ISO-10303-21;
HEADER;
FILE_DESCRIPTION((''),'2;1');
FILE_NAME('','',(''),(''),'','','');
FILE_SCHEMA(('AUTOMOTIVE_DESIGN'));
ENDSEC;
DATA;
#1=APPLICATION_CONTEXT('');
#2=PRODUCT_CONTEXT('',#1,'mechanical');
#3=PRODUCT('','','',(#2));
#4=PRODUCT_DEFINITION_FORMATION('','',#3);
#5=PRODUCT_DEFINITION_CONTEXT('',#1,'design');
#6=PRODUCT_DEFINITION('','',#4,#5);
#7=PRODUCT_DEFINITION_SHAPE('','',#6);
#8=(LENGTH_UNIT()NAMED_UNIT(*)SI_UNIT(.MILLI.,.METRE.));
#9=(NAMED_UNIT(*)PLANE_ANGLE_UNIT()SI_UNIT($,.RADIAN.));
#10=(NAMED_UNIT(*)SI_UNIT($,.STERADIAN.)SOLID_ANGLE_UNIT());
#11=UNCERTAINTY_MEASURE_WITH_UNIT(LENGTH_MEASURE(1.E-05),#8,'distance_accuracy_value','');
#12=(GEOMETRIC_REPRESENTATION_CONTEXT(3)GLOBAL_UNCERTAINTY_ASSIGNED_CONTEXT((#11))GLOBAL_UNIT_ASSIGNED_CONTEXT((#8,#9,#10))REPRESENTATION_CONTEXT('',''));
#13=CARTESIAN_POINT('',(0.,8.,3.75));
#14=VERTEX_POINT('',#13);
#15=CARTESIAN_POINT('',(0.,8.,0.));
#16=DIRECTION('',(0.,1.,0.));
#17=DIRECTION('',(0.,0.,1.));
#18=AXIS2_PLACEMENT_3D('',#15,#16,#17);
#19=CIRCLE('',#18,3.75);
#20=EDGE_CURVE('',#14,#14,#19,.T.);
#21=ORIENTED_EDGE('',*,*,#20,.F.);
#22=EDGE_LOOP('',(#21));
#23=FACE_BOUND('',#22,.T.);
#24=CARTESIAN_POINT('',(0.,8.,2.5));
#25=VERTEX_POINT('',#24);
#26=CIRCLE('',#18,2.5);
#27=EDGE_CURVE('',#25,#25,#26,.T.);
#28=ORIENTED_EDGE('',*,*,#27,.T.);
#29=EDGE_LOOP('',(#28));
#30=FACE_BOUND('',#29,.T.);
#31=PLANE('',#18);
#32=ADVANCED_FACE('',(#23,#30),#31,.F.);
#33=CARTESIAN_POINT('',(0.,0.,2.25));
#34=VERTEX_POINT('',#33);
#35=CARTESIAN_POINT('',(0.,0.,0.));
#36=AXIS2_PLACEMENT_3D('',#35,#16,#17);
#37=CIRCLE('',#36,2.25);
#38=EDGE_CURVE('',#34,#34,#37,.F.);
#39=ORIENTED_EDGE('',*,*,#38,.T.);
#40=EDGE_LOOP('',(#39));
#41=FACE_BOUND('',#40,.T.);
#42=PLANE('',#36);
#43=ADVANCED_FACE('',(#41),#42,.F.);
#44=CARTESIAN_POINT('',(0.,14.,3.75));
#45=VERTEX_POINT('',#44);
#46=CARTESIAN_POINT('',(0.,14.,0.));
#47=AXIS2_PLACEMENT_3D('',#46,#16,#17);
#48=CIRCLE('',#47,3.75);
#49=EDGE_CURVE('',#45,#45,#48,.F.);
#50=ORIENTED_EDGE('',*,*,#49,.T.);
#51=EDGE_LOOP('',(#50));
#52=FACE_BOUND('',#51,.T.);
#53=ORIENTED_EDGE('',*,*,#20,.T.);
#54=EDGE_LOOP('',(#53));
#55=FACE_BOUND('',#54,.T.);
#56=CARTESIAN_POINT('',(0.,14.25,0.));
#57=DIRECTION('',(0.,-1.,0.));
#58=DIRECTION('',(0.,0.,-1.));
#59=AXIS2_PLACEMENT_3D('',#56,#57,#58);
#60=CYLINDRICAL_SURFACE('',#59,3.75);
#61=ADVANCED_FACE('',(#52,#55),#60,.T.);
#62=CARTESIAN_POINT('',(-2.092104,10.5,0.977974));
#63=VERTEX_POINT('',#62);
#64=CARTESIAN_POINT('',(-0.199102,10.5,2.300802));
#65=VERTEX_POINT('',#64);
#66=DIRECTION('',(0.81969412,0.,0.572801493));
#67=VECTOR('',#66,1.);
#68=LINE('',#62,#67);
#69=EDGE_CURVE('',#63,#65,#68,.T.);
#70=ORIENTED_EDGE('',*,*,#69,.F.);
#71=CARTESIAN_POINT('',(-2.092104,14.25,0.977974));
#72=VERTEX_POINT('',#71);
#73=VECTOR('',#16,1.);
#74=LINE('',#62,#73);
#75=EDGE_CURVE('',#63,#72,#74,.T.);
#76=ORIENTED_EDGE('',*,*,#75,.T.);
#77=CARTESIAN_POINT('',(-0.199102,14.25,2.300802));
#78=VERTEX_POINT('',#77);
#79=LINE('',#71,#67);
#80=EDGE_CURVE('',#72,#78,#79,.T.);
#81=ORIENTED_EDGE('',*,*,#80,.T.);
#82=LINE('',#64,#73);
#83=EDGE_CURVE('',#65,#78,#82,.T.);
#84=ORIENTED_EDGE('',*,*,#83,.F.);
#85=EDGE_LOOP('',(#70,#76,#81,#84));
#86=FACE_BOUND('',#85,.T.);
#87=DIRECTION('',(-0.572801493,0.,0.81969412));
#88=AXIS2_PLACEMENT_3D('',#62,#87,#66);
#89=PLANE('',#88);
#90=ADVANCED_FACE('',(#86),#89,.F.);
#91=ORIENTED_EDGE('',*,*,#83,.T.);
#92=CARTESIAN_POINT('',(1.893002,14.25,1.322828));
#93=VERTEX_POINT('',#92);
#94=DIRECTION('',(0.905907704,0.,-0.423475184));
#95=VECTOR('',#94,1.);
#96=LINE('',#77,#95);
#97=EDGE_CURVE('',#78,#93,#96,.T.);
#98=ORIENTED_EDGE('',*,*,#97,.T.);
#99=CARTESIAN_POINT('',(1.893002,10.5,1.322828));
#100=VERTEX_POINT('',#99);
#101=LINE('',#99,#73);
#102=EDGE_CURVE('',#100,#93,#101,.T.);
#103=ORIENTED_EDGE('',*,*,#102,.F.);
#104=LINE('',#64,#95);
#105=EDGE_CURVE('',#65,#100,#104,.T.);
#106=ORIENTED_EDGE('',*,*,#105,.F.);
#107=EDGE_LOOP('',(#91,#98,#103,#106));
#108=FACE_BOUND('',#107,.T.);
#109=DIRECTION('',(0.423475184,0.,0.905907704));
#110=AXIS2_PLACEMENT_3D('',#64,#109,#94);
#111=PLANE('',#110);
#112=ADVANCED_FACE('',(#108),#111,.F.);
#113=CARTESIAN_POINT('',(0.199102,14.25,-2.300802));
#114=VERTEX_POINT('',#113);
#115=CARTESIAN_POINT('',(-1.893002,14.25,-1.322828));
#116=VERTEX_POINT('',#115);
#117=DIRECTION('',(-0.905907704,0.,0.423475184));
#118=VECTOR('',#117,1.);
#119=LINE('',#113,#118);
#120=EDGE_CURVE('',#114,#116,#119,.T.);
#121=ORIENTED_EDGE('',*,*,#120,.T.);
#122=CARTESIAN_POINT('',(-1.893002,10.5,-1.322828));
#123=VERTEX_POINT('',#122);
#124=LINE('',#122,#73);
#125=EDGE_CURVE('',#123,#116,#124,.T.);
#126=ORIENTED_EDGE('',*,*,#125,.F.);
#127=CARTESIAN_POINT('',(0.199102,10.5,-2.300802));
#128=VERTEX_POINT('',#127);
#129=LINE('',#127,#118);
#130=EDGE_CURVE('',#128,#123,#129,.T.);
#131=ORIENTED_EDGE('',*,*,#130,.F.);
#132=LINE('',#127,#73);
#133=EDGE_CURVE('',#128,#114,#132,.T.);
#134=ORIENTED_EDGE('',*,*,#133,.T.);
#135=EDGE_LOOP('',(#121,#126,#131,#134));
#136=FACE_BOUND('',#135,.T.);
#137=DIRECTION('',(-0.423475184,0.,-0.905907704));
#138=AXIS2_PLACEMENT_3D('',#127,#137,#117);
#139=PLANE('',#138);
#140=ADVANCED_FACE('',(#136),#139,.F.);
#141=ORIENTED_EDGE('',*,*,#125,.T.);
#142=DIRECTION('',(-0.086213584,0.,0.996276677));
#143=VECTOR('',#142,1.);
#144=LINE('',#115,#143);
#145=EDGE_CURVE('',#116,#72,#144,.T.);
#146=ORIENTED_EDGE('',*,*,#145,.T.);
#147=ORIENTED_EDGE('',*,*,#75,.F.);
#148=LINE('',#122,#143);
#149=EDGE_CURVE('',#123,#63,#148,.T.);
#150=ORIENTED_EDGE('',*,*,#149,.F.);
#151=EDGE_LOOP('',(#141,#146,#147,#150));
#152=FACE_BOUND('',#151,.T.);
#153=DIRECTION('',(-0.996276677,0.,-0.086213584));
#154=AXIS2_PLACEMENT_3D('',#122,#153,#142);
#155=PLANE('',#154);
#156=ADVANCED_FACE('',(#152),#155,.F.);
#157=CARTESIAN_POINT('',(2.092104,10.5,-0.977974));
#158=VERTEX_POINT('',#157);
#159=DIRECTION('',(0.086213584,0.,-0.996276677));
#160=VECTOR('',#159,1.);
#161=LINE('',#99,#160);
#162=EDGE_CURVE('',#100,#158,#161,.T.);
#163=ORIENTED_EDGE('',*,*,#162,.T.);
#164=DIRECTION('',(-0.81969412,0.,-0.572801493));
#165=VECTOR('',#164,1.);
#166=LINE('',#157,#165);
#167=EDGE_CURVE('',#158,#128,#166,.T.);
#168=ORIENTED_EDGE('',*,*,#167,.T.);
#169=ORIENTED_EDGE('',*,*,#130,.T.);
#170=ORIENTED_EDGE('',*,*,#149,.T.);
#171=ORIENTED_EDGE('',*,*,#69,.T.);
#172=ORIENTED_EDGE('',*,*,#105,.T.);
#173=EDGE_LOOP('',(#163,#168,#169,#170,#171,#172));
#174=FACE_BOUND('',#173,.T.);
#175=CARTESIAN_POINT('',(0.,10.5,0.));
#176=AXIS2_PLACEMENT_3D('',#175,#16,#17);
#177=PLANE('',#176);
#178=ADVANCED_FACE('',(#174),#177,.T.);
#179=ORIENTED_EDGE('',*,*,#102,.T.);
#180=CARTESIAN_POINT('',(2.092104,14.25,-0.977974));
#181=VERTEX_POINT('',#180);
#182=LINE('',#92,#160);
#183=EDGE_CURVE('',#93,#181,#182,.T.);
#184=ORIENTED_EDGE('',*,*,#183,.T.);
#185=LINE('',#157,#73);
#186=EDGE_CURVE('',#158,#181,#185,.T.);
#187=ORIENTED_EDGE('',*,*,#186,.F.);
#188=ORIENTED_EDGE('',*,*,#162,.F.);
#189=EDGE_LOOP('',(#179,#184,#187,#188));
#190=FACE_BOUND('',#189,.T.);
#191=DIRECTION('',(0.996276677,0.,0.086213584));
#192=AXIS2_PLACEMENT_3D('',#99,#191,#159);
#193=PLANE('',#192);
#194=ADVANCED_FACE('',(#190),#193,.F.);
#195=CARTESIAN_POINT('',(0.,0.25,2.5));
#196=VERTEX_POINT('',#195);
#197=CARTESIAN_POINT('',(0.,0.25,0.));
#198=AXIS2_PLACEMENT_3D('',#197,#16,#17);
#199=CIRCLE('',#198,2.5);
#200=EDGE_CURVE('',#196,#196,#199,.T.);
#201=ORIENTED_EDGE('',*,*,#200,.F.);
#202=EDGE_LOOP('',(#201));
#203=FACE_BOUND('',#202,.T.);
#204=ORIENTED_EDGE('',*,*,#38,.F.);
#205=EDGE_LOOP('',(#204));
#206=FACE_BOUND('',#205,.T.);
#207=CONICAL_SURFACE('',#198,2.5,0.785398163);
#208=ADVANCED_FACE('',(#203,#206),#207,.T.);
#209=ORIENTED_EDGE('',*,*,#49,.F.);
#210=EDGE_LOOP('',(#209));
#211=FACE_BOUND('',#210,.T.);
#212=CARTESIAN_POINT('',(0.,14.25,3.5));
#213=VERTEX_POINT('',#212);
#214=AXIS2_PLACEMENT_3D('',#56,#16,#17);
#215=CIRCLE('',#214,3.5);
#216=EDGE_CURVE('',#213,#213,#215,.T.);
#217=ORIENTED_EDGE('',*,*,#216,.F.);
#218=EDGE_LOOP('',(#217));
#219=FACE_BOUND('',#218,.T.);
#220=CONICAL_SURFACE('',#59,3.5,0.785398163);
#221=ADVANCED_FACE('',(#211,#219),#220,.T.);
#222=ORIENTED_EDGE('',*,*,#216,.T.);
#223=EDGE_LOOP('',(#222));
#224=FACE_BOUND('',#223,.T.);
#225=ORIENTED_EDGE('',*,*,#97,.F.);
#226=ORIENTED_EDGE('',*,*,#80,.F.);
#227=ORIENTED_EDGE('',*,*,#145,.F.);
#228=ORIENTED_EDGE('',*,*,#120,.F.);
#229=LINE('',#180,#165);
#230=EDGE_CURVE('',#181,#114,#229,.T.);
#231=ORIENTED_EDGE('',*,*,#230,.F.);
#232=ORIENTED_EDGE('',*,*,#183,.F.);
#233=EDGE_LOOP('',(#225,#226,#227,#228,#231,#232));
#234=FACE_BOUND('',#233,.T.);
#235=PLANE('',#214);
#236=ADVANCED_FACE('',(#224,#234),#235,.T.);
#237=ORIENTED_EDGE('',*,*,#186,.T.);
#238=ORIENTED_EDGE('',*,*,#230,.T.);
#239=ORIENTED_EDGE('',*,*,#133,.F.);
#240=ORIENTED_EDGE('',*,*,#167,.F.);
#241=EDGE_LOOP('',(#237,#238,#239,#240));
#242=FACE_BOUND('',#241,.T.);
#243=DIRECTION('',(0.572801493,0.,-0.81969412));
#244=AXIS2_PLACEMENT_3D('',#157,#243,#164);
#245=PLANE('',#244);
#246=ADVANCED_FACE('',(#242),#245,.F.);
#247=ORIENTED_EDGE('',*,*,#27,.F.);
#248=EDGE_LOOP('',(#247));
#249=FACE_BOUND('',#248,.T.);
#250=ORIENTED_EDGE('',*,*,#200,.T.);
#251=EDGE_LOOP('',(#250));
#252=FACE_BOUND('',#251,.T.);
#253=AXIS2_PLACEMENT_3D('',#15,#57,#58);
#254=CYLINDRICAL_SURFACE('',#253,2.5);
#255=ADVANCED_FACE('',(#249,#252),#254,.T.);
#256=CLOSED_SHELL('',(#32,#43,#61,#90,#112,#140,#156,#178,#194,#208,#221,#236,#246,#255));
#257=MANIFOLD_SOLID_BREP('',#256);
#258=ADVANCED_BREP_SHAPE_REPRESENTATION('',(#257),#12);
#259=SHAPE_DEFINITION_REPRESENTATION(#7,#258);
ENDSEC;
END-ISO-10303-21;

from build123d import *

# Parameters (mm, degrees)
SKICA1_R                 = 2.5
P_IDAT_VYSUNUT_M1_DEPTH  = 8
SKICA2_R                 = 3.75
P_IDAT_VYSUNUT_M2_DEPTH  = 6.25
ODEBRAT_VYSUNUT_M1_DEPTH = 3.75
ZKOSEN_1_SIZE            = 0.25


with BuildPart() as part:
    # Skica1 → Přidat vysunutím1 (new body)
    with BuildSketch(Plane(origin=(0, 0, 0), x_dir=(1, 0, 0), z_dir=(0, 1, 0))):
        with Locations(Location((0, 0, 0), (0, 0, 270))):
            Circle(SKICA1_R)
    extrude(amount=P_IDAT_VYSUNUT_M1_DEPTH)

    # Skica2 → Přidat vysunutím2 (add)
    with BuildSketch(Plane(origin=(0, 8, 0), x_dir=(1, 0, 0), z_dir=(0, 1, 0))):
        with Locations(Location((0, 0, 0), (0, 0, 270))):
            Circle(SKICA2_R)
    extrude(amount=P_IDAT_VYSUNUT_M2_DEPTH)

    # Skica3 → Odebrat vysunutím1 (cut)
    with BuildSketch(Plane(origin=(0, 14.25, 0), x_dir=(1, 0, 0), z_dir=(0, 1, 0))):
        Polygon((-0.199101745, -2.300802431), (1.893002482, -1.322828385), (2.092104227, 0.977974047), (0.199101745, 2.300802431), (-1.893002482, 1.322828385), (-2.092104227, -0.977974047), align=None)
    extrude(amount=-ODEBRAT_VYSUNUT_M1_DEPTH, mode=Mode.SUBTRACT)

    # Zkosení1
    zkosen_1_edges = [part.edges().sort_by_distance(p)[0] for p in [
        (0, 0, -2.5),
        (0, 14.25, -3.75),
    ]]
    chamfer(zkosen_1_edges, length=ZKOSEN_1_SIZE)


solid = part.part
